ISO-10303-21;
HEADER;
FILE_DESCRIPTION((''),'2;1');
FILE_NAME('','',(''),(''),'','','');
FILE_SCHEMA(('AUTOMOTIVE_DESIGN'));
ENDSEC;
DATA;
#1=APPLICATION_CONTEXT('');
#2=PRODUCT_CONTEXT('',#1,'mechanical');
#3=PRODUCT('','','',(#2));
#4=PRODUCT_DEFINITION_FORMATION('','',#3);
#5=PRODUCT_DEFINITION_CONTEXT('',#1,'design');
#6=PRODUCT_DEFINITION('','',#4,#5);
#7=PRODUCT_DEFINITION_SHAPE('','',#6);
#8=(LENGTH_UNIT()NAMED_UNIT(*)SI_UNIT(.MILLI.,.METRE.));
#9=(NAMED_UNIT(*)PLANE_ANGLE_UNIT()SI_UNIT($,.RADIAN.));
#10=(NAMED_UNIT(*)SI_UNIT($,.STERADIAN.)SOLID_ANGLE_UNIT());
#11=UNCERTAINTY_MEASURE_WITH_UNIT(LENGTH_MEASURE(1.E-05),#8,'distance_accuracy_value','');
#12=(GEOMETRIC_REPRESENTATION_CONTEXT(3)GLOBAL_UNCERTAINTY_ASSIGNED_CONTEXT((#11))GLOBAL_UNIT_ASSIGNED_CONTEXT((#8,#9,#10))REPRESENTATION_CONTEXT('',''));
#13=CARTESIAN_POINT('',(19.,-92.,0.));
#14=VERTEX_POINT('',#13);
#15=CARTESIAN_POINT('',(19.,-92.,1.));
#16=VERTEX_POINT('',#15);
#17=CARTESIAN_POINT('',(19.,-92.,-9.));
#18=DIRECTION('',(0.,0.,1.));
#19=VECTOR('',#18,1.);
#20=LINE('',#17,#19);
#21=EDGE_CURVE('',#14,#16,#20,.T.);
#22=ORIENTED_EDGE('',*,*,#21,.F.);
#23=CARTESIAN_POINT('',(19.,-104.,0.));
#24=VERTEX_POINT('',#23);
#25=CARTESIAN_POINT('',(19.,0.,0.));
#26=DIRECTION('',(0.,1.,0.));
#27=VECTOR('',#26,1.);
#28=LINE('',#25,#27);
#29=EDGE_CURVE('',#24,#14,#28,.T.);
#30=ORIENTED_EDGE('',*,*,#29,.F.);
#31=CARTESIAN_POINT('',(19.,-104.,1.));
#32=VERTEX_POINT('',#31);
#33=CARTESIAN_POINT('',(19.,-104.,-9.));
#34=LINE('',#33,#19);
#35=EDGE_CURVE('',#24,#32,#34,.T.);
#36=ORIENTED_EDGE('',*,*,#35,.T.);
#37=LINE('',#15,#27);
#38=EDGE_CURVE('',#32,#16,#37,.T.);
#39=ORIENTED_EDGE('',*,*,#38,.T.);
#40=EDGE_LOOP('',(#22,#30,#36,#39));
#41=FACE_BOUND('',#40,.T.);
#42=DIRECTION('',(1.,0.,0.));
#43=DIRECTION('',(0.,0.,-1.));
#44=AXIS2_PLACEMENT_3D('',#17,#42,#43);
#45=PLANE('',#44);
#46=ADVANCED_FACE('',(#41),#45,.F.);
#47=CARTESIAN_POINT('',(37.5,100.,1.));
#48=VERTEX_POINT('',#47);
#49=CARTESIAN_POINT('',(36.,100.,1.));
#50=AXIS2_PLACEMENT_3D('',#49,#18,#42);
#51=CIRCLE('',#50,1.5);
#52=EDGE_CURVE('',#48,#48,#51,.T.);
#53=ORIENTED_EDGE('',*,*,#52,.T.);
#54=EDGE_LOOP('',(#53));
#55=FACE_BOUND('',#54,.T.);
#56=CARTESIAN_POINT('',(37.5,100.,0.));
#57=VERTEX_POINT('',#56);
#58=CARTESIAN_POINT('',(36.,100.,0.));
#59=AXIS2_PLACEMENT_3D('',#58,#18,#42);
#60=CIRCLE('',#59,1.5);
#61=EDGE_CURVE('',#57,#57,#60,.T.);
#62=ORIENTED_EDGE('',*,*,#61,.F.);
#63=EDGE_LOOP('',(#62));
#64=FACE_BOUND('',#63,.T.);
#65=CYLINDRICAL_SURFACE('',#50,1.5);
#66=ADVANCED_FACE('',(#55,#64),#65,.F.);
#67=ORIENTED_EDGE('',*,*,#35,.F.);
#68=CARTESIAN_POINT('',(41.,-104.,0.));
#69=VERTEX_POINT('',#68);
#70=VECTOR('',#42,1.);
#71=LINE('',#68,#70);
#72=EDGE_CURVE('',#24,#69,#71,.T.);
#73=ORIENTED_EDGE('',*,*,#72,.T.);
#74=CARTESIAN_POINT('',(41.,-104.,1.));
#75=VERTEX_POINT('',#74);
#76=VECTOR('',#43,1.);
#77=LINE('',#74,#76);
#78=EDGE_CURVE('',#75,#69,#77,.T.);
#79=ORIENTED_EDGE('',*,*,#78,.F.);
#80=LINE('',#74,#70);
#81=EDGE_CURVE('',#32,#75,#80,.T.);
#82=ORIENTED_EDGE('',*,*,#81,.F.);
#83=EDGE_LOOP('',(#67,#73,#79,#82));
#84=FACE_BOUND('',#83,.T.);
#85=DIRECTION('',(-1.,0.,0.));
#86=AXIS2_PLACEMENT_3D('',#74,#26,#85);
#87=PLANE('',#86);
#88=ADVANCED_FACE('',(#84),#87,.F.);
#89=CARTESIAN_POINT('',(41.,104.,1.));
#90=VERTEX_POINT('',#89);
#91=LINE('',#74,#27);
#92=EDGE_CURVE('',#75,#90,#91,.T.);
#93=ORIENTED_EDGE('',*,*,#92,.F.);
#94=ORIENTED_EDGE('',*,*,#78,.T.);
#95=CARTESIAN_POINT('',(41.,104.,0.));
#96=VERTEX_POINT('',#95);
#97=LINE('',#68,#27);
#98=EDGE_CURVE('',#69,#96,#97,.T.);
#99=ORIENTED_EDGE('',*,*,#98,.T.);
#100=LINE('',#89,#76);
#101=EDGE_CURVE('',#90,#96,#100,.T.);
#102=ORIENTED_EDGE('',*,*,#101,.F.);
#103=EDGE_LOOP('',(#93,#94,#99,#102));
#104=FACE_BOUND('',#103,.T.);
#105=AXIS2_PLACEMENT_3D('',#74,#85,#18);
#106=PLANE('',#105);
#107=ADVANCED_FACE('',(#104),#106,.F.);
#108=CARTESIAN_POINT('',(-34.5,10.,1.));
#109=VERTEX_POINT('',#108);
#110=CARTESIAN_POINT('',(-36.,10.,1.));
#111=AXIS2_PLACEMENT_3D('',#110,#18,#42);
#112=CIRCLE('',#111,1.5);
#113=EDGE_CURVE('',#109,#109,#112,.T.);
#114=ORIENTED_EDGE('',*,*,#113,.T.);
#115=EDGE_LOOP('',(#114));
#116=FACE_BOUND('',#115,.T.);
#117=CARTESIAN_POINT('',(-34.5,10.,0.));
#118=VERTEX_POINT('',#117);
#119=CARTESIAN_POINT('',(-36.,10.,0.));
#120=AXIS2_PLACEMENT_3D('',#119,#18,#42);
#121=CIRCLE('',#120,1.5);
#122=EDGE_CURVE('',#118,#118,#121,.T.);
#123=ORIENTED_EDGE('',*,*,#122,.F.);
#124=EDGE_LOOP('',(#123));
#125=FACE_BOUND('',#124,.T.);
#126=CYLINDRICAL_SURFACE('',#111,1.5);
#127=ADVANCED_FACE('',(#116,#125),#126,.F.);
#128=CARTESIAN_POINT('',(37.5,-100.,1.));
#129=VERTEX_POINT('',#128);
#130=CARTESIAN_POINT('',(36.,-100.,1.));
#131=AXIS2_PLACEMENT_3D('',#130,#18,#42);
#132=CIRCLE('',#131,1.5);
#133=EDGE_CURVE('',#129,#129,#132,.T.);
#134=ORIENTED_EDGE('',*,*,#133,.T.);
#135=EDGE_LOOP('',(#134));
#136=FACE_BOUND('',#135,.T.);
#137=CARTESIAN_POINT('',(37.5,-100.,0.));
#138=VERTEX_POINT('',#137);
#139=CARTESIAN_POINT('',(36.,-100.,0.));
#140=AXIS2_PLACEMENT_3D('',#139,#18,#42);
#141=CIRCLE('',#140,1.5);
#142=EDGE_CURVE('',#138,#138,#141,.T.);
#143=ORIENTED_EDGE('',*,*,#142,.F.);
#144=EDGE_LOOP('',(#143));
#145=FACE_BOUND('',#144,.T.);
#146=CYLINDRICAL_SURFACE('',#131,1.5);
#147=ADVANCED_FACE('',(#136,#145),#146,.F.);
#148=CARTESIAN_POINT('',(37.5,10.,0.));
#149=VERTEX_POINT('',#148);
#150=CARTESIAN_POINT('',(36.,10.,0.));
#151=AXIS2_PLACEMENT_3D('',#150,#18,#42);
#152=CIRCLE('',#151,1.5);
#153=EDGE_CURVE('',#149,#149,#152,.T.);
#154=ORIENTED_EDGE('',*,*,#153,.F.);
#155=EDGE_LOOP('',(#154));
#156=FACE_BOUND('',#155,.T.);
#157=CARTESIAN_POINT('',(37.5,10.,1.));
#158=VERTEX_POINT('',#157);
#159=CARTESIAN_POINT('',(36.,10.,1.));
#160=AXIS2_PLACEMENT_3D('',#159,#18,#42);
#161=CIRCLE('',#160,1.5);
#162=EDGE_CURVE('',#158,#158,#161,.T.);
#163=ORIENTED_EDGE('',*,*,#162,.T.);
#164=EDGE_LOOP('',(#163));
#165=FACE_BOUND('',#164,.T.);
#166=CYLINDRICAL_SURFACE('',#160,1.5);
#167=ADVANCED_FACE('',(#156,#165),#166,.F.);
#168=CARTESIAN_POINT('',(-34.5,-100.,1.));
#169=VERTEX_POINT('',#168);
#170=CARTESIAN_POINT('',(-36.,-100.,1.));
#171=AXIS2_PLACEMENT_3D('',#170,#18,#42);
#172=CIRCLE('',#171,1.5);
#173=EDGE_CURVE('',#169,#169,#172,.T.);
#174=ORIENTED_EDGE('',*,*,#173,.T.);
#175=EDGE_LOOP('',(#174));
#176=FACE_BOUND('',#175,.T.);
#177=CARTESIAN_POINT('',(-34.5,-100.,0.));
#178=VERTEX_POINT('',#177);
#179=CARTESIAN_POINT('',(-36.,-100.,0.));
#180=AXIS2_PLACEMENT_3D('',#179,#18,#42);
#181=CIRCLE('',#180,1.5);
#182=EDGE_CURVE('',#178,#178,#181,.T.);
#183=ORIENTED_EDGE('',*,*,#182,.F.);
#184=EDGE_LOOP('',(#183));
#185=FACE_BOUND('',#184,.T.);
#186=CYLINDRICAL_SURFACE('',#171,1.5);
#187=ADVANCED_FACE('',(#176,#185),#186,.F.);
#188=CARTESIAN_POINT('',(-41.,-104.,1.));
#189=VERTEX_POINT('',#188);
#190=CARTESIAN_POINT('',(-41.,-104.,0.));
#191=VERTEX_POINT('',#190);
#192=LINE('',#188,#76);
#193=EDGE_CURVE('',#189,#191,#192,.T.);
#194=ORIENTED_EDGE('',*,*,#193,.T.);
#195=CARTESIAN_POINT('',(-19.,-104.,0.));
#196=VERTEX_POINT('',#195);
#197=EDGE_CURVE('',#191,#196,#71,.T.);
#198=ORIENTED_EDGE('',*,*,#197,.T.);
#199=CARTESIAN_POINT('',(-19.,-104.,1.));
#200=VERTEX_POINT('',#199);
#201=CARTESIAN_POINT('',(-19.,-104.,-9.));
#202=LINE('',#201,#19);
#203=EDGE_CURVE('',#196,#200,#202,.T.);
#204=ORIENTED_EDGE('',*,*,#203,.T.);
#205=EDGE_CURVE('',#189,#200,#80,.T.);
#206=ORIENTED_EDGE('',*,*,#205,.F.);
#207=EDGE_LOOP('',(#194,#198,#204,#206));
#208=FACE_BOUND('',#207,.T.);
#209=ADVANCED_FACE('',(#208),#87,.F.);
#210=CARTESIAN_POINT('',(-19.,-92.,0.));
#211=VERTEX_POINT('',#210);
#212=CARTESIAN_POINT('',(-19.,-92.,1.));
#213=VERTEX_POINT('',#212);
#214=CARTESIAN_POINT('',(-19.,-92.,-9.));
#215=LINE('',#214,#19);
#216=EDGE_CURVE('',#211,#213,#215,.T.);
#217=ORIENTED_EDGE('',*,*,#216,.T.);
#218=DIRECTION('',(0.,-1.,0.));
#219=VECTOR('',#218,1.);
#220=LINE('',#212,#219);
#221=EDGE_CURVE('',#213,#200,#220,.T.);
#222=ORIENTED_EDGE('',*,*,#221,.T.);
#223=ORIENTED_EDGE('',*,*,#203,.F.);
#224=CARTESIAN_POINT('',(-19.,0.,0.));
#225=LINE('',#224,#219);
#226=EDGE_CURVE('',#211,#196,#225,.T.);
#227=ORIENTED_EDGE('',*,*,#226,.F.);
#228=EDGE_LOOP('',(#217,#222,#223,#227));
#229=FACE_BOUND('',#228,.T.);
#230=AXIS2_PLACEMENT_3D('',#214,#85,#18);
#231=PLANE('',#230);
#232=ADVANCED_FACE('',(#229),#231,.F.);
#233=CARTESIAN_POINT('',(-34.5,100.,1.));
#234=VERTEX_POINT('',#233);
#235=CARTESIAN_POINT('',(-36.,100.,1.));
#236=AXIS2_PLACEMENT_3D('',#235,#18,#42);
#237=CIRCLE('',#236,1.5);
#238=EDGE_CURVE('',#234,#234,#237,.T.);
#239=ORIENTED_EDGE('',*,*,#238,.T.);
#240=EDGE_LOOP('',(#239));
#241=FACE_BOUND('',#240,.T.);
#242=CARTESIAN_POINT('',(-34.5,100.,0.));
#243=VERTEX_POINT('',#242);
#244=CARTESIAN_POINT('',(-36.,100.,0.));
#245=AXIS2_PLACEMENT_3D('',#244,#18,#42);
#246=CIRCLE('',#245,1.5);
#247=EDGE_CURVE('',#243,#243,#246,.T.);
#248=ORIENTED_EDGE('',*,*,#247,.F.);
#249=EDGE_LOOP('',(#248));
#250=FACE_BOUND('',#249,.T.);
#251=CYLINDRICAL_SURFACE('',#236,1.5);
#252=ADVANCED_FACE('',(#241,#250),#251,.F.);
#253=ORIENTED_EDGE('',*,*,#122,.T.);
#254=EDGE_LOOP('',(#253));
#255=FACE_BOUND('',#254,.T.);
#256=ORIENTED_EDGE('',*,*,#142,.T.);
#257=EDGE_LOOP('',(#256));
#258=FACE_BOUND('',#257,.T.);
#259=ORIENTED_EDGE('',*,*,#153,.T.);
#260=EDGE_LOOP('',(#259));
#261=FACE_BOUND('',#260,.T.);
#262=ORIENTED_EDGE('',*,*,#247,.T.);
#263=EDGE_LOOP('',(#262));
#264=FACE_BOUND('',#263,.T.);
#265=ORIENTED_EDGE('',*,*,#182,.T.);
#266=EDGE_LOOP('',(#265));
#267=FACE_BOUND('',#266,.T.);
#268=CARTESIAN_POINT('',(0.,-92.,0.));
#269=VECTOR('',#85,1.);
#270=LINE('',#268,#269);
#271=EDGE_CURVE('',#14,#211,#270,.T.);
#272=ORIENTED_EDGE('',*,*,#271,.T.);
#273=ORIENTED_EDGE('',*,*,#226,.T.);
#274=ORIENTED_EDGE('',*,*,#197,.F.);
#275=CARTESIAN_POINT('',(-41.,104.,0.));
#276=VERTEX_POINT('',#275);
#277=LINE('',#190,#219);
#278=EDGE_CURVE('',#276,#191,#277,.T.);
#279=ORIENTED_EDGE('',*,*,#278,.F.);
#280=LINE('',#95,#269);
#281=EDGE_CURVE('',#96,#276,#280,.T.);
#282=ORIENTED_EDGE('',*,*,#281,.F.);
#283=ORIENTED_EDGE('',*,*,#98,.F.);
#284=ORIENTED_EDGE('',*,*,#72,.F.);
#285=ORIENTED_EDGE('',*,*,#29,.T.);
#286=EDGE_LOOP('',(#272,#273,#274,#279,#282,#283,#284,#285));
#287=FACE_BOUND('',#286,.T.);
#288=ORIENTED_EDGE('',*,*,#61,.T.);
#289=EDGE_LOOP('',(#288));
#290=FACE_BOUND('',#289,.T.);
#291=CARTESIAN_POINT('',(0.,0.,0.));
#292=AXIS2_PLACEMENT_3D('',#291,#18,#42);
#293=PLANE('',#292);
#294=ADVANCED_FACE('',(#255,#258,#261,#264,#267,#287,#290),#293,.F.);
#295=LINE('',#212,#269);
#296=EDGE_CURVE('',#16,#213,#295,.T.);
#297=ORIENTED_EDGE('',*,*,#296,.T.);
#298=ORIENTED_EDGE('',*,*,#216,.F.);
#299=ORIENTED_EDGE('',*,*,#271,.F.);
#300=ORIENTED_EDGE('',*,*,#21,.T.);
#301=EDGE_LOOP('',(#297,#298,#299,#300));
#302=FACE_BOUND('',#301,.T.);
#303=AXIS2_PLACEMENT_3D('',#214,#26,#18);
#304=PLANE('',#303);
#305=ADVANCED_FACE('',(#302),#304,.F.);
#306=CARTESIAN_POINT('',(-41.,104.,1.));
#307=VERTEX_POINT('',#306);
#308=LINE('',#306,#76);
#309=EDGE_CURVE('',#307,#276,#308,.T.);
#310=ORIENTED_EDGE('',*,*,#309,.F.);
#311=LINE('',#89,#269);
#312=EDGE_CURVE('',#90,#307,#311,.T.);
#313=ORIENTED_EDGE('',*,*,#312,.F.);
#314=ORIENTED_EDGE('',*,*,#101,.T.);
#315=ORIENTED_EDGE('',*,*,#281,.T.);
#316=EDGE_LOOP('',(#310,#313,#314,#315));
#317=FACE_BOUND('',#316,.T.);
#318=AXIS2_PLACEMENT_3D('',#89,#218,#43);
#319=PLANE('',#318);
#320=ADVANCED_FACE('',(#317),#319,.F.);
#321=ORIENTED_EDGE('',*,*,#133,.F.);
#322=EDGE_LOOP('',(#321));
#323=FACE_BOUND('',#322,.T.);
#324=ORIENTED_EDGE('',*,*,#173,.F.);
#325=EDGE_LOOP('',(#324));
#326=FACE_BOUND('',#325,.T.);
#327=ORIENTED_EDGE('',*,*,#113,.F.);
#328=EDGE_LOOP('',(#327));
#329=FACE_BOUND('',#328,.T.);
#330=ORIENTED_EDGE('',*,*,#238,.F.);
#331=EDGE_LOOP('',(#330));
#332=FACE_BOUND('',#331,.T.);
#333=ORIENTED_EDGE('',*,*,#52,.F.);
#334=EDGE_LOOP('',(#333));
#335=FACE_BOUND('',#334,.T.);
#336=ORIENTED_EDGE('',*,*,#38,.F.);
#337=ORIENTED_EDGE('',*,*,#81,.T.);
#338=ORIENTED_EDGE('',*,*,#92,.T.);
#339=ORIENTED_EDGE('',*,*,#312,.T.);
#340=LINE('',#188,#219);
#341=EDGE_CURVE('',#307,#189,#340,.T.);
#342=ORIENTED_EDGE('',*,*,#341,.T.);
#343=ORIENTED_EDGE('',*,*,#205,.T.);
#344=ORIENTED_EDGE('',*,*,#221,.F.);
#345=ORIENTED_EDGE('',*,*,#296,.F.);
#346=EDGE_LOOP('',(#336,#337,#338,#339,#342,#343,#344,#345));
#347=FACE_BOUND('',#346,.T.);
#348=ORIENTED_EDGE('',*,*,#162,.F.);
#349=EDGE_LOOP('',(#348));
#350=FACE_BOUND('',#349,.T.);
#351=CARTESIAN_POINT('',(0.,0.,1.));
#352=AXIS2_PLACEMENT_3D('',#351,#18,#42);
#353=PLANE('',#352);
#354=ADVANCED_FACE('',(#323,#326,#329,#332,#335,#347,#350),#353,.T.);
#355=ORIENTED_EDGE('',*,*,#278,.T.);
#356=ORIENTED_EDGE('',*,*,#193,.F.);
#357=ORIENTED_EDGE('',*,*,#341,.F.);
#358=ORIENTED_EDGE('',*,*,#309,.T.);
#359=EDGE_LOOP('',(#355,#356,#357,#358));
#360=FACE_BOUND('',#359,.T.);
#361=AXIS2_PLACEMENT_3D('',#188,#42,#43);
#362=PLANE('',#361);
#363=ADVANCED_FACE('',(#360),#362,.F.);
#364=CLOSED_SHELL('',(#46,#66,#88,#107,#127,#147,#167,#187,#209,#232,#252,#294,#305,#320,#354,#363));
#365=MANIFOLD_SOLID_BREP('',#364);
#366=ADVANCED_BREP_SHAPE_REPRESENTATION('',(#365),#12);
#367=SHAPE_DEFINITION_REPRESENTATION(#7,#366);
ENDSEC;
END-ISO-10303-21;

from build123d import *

# Parameters (mm, degrees)
SKETCH1_W                = 82
SKETCH1_H                = 208
BOSS_EXTRUDE1_DEPTH      = 1
F_3_0_3_DIAMETER_HOLE1_D = 3
SKETCH4_W                = 38
SKETCH4_H                = 12
CUT_EXTRUDE1_DEPTH       = 10


with BuildPart() as part:
    # Sketch1 → Boss-Extrude1 (new body)
    with BuildSketch(Plane.XY):
        Rectangle(SKETCH1_W, SKETCH1_H)
    extrude(amount=BOSS_EXTRUDE1_DEPTH)

    # Ø3.0 (3) Diameter Hole1 (through all)
    with Locations(Plane.XY.offset(1)):
        with Locations((-36, 10), (36, 10), (36, -100), (-36, -100), (-36, 100), (36, 100)):
            Hole(F_3_0_3_DIAMETER_HOLE1_D / 2)

    # Sketch4 → Cut-Extrude1 (cut)
    with BuildSketch(Plane.XY.offset(1)):
        with Locations((0, -98)):
            Rectangle(SKETCH4_W, SKETCH4_H)
    extrude(amount=-CUT_EXTRUDE1_DEPTH, mode=Mode.SUBTRACT)


solid = part.part
